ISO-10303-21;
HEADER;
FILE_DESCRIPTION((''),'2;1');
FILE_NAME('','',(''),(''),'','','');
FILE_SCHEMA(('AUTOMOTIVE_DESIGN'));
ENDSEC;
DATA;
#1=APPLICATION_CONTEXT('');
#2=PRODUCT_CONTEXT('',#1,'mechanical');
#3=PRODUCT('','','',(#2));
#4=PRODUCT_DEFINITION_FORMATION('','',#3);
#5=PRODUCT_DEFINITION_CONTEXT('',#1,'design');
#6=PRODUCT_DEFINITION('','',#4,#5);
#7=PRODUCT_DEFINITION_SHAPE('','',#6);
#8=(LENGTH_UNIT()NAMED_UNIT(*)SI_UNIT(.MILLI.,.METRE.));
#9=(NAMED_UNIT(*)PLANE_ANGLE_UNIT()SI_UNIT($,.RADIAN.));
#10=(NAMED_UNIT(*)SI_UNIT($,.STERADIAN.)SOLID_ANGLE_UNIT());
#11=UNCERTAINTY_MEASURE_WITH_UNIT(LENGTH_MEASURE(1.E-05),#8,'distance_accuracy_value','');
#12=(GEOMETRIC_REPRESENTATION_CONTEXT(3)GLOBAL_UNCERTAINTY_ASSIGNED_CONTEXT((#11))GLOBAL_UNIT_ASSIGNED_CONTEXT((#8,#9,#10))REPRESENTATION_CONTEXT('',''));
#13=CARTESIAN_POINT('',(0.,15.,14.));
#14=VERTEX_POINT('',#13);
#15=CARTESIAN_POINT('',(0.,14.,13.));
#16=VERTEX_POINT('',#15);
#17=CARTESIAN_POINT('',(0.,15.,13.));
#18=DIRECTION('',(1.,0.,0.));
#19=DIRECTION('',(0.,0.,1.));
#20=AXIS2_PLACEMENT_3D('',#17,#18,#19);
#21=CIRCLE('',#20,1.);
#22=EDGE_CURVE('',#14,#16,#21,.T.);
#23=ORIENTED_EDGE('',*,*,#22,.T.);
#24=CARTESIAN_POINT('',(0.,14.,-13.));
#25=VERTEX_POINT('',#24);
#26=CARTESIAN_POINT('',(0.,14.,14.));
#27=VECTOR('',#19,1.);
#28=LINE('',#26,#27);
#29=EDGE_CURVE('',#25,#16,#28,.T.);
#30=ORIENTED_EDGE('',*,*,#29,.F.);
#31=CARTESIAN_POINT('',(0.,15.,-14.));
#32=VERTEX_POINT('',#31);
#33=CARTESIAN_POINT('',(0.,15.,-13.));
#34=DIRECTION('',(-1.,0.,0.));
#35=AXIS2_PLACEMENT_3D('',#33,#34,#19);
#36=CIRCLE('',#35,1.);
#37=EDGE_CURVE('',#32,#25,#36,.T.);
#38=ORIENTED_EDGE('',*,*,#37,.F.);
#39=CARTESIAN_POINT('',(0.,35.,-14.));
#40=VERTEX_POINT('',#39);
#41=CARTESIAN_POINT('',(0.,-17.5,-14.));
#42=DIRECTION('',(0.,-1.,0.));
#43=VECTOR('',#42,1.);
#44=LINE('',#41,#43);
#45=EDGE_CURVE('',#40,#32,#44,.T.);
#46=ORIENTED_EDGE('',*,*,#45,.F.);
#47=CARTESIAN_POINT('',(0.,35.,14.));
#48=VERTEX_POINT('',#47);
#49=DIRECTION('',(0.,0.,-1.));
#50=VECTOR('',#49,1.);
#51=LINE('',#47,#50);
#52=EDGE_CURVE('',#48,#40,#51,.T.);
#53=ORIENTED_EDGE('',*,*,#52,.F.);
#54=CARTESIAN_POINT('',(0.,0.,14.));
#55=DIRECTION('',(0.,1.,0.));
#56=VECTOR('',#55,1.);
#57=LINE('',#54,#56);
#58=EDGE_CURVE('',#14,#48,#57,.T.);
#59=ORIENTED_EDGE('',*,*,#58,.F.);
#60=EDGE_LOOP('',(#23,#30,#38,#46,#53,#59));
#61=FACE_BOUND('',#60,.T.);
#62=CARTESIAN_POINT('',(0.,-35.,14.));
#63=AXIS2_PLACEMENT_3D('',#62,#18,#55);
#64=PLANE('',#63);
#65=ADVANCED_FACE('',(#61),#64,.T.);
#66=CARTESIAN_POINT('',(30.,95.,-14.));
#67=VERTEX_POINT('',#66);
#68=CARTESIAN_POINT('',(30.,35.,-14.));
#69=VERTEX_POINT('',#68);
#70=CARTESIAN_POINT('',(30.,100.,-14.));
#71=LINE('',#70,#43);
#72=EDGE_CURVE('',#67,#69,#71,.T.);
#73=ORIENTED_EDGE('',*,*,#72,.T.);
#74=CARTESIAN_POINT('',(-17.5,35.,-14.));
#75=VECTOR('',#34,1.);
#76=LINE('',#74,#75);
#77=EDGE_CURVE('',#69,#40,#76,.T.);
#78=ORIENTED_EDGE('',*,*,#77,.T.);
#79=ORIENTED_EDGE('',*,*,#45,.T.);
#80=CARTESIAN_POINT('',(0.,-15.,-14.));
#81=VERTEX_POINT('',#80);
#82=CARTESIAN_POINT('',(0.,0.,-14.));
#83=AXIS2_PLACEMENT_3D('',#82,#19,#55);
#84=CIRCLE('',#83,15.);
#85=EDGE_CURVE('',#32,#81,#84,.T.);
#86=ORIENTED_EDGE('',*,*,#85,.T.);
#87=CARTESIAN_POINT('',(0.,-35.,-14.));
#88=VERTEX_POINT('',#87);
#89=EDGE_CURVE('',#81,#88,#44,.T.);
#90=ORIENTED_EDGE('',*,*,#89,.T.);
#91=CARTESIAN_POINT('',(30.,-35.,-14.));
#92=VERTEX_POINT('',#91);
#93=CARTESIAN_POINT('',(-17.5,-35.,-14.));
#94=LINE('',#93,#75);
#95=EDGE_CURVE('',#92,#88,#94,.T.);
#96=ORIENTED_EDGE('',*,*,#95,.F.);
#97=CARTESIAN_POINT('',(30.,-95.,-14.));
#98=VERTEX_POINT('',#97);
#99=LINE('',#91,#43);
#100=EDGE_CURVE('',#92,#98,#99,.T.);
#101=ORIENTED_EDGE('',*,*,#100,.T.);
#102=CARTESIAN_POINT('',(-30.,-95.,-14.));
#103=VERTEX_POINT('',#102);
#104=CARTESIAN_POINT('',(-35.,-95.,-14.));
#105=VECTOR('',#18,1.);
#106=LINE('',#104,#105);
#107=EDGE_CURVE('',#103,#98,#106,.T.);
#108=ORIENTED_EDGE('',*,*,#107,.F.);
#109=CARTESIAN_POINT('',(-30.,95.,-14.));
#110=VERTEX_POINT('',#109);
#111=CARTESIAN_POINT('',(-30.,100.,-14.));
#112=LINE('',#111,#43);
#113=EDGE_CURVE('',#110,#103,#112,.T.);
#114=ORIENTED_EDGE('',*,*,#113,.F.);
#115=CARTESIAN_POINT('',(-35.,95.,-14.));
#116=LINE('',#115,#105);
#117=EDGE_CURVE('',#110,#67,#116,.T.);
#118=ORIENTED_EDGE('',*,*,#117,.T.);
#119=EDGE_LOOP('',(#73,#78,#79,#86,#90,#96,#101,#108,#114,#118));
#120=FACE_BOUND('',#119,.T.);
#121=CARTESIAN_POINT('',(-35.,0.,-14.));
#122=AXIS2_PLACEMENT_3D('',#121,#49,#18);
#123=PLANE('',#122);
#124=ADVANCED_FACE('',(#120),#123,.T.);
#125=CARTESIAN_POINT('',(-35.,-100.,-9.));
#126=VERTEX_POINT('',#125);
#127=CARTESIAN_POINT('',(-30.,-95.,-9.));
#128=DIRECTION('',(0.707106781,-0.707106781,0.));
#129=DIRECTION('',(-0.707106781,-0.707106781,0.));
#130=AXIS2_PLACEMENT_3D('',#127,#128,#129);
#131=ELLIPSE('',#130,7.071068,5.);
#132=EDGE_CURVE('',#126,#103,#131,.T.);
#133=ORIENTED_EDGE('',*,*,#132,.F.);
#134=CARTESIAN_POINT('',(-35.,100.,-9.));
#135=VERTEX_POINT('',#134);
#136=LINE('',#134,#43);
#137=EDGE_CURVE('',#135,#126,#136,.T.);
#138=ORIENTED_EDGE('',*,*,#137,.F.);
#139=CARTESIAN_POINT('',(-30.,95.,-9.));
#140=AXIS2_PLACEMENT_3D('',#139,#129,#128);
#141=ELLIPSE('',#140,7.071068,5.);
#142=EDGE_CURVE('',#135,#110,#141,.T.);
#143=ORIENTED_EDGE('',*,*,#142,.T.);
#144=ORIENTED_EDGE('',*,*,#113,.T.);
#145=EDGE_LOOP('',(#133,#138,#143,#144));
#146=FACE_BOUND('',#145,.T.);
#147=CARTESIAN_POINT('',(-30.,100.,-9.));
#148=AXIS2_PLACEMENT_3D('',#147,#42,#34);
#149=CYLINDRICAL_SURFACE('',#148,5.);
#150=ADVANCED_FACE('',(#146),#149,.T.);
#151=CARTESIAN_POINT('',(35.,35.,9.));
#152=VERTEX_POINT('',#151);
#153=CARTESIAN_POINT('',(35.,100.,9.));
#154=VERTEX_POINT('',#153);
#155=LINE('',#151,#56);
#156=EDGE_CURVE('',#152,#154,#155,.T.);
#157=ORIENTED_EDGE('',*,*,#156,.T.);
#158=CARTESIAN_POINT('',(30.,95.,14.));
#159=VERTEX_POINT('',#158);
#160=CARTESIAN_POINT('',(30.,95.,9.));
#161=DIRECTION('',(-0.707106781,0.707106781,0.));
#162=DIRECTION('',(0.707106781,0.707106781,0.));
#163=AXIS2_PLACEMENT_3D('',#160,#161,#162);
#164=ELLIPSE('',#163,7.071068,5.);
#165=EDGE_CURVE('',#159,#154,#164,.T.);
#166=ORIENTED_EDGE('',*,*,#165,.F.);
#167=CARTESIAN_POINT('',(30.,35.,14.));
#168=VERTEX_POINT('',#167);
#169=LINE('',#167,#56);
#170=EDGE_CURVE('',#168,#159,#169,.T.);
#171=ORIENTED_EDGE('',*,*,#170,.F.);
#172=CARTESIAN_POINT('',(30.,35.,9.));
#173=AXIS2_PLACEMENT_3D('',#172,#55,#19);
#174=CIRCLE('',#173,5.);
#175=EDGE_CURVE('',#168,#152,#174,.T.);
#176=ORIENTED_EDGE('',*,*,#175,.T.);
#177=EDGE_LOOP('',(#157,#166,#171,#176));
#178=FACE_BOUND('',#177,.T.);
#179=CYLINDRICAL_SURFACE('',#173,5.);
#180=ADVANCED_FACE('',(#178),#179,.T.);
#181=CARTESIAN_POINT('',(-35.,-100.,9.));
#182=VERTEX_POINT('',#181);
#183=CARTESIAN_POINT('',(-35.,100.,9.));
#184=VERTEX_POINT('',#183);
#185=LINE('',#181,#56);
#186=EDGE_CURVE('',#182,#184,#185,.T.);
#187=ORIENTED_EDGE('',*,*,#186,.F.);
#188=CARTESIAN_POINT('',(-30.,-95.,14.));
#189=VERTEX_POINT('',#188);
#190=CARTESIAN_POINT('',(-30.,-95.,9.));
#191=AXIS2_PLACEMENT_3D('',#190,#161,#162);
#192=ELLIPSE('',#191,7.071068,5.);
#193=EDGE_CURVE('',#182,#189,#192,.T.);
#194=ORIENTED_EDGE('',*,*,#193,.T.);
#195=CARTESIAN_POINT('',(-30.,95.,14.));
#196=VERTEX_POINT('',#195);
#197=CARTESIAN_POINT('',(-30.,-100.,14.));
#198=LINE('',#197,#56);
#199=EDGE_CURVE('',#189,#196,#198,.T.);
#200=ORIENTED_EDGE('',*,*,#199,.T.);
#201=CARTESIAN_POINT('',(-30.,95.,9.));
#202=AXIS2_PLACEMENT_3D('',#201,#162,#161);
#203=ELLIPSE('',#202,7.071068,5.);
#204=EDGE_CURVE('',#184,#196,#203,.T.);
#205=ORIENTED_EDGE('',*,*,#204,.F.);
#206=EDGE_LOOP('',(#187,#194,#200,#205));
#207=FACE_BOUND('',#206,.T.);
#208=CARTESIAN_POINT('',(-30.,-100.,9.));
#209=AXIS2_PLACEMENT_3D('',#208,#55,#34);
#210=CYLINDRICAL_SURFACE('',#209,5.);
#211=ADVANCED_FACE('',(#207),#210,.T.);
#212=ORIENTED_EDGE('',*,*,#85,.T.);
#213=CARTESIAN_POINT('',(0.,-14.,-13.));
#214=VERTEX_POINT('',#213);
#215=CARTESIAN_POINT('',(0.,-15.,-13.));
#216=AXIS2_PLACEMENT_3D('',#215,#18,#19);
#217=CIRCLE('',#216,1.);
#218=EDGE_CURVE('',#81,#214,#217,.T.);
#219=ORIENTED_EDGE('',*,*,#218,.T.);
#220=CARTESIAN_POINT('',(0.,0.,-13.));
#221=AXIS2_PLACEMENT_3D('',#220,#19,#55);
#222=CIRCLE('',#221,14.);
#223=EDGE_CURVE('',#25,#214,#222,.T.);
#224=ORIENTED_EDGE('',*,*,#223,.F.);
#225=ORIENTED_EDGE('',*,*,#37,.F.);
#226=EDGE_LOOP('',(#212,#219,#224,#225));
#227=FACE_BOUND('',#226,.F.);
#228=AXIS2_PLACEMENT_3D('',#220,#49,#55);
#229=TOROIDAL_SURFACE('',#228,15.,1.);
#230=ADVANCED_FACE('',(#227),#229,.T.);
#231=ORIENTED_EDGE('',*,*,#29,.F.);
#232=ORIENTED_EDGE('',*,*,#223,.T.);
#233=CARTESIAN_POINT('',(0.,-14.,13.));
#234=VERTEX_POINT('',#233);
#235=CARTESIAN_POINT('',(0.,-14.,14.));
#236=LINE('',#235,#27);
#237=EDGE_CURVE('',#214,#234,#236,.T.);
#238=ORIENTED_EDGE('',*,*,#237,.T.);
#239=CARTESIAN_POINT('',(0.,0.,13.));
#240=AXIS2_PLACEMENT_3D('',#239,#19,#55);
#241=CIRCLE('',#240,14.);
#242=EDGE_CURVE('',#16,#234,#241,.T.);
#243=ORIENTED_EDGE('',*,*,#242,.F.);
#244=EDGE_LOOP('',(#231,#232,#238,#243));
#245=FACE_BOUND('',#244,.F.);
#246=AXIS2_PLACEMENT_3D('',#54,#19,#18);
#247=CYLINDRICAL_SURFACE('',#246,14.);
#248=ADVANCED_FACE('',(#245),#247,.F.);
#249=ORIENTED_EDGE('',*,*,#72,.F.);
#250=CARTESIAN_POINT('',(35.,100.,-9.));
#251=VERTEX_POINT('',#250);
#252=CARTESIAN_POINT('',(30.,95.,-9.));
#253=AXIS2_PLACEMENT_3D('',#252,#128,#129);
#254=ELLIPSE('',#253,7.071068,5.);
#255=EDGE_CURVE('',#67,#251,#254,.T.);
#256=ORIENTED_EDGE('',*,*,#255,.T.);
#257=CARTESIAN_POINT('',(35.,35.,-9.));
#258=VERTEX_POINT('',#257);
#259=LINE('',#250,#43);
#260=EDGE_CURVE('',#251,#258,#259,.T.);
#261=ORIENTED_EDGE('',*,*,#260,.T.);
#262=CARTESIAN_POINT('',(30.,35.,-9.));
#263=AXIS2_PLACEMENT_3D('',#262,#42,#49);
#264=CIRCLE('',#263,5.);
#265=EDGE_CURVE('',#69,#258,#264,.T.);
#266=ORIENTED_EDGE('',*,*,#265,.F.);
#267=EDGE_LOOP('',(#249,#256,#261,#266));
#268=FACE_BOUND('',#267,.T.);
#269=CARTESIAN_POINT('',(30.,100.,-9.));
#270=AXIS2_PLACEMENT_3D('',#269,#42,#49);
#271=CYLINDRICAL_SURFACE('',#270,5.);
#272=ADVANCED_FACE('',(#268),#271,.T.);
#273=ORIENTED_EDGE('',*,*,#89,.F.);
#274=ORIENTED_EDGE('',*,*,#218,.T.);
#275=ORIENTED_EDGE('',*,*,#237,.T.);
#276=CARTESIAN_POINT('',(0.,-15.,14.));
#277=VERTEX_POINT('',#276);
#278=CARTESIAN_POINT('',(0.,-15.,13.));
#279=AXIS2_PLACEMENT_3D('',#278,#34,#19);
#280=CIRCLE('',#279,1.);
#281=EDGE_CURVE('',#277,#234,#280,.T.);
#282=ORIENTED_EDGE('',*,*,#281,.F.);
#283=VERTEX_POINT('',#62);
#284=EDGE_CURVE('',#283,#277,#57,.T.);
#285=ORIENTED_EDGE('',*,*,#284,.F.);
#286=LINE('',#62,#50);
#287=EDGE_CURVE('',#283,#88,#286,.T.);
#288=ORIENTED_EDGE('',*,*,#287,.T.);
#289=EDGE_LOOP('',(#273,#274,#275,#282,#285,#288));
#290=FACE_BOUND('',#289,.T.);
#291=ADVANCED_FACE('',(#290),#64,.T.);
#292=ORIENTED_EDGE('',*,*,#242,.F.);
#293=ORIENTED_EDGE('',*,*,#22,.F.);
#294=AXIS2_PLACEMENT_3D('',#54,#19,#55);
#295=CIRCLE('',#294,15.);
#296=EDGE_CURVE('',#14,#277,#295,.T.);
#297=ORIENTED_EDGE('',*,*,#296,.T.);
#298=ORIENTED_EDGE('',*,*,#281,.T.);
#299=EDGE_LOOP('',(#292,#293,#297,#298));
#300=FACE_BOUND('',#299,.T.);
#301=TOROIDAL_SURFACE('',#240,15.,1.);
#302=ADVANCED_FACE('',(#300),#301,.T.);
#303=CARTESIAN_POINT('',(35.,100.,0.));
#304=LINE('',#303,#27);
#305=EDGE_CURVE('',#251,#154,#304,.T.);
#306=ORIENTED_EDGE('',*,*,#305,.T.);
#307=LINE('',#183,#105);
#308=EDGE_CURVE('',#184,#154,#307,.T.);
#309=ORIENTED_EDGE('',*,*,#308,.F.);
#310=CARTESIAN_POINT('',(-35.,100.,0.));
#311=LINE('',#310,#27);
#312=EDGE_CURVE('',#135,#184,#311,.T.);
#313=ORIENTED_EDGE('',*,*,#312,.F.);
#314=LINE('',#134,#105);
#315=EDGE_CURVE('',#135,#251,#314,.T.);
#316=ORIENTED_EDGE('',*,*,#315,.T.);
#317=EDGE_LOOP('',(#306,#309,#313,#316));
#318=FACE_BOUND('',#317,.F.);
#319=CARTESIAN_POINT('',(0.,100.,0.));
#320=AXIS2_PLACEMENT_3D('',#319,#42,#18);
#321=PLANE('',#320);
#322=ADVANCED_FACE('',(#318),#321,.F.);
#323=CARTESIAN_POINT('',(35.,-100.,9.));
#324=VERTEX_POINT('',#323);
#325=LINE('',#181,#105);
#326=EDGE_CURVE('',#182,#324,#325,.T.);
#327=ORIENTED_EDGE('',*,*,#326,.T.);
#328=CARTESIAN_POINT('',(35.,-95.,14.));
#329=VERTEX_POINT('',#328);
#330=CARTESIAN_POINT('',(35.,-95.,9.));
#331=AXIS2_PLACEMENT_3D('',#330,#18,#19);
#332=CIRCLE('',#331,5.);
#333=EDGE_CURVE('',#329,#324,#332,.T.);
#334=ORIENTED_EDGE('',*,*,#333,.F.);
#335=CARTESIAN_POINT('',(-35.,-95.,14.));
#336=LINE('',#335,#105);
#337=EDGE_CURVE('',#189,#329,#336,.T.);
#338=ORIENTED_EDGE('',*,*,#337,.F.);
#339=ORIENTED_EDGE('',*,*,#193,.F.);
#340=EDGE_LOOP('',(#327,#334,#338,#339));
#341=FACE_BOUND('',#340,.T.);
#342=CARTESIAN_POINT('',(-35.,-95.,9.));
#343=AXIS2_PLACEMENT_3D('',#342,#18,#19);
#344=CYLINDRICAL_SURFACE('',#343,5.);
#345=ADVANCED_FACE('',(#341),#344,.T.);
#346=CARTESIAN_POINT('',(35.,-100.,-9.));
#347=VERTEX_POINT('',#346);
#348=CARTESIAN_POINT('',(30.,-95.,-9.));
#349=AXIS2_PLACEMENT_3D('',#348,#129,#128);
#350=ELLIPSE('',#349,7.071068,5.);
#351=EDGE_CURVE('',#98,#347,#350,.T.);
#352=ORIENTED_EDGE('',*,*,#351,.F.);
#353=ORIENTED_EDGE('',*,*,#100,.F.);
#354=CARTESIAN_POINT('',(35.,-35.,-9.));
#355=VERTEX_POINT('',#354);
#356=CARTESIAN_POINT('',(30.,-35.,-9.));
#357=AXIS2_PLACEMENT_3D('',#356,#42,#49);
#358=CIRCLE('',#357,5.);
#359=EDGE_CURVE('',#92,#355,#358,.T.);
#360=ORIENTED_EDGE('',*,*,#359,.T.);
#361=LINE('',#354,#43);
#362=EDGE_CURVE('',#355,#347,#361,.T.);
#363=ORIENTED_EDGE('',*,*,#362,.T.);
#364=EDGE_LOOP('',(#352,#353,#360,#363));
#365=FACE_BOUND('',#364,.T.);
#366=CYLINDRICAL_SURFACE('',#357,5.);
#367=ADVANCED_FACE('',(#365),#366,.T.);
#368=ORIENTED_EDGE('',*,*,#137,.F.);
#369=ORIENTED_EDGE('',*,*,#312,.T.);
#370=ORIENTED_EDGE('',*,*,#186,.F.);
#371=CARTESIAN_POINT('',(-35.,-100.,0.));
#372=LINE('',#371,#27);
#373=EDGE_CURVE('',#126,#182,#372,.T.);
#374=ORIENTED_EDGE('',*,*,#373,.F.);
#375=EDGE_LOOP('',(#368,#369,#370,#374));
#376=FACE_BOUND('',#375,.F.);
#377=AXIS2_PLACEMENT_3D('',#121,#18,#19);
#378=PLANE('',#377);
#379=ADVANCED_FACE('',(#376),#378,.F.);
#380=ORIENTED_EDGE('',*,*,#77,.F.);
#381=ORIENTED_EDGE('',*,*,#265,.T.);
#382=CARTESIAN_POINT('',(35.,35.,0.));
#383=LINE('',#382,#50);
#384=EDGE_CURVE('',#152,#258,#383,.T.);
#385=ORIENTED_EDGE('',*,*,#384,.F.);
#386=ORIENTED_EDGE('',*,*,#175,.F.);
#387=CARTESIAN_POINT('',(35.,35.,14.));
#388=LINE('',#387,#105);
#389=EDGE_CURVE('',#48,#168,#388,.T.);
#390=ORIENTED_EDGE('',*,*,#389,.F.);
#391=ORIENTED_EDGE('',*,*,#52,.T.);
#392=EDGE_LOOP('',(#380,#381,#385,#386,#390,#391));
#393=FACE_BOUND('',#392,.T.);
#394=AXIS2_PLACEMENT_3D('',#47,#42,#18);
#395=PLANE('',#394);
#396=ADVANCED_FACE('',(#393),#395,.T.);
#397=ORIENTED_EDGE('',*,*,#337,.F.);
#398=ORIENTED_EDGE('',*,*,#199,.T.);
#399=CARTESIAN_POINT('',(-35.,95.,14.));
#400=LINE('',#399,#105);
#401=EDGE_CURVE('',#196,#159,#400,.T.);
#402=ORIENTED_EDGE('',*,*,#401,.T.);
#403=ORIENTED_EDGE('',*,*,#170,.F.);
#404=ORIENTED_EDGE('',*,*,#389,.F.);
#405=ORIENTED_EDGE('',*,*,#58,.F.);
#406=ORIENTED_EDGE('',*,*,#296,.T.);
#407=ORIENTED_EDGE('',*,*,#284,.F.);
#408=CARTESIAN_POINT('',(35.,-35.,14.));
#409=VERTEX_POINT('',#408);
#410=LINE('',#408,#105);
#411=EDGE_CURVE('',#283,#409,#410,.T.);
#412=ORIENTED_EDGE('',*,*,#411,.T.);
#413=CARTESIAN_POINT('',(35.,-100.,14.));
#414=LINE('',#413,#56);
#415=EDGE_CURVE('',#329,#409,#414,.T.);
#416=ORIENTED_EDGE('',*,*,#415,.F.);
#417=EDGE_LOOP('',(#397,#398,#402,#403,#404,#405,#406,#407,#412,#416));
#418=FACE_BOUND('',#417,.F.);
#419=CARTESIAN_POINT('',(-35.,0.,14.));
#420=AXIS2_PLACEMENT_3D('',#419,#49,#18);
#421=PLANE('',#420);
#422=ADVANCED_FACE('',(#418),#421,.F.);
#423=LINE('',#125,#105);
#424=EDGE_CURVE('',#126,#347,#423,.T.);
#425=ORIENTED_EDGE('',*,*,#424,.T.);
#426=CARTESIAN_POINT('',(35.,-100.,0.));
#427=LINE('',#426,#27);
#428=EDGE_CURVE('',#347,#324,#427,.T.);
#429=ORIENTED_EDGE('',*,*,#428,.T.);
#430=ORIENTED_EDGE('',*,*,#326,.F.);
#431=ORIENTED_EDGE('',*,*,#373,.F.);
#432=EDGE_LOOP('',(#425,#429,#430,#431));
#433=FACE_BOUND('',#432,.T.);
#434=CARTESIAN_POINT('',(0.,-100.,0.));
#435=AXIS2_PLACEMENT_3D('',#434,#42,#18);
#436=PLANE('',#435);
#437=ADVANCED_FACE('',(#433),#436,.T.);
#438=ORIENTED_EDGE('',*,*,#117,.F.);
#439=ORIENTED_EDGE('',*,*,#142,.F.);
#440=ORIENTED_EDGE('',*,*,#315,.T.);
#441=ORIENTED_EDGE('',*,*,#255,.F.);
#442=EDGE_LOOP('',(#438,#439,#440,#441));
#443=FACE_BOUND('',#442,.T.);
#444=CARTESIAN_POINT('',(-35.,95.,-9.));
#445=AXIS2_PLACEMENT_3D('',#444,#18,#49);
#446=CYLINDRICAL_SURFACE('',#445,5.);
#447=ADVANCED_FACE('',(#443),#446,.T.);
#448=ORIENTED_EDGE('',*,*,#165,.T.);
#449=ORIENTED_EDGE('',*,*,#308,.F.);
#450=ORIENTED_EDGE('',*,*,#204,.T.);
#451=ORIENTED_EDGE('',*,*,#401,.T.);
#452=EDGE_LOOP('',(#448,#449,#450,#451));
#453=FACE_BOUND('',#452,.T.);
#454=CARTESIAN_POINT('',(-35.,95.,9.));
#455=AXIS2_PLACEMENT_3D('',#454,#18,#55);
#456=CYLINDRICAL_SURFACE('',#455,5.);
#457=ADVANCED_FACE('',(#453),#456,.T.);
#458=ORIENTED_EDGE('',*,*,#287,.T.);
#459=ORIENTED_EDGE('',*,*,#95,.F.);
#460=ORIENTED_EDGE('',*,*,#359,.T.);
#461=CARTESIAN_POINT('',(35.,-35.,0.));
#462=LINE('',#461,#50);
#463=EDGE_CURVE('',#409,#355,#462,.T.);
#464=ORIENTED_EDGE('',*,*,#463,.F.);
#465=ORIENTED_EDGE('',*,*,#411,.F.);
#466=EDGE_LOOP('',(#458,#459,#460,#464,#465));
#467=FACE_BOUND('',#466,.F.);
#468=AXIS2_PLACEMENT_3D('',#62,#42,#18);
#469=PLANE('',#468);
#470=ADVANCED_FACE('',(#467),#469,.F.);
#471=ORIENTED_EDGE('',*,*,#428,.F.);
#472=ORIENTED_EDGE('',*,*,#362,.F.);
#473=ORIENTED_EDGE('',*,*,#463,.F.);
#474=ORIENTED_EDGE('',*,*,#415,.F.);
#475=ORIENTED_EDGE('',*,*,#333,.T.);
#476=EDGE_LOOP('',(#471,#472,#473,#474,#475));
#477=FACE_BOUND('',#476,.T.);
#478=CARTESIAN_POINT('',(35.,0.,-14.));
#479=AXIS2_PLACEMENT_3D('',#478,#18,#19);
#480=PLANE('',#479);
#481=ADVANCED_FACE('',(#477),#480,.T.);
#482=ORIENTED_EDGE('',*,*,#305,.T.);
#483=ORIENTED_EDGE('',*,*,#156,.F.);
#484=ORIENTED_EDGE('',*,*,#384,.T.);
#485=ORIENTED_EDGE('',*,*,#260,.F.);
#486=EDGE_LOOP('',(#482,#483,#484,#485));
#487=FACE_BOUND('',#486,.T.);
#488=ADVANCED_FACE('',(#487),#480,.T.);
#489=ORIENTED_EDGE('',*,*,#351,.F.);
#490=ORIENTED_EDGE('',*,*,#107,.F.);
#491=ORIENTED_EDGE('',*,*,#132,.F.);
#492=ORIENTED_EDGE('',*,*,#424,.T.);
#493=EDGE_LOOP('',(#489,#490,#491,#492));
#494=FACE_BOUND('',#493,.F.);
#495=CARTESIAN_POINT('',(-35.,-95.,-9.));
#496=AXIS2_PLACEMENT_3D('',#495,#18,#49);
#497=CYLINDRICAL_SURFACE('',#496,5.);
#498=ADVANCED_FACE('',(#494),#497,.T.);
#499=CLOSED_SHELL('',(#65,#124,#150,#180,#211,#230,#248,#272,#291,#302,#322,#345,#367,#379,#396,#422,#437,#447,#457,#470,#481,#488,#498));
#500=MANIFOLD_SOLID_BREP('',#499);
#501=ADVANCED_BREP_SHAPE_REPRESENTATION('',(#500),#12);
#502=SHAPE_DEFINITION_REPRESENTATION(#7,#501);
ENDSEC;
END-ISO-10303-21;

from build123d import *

# Parameters (mm, degrees)
F0_W     = 70
F0_H     = 28
F1_DEPTH = 100
F2_W     = 70
F2_H     = 70
F3_DEPTH = 28.001
F4_R     = 14
F5_DEPTH = 28.001
F6_R     = 5
F7_R     = 1


with BuildPart() as f1:
    # F0 (on Front) → F1 (new body, symmetric)
    with BuildSketch(Plane.XZ):
        Rectangle(F0_W, F0_H)
    extrude(amount=F1_DEPTH, both=True)

    # F2 (on face) → F3 (cut, through all)
    with BuildSketch(Plane.XY.offset(14)):
        with Locations((35, 0)):
            Rectangle(F2_W, F2_H)
    extrude(amount=-F3_DEPTH, mode=Mode.SUBTRACT)

    # F4 (on face) → F5 (cut, through all)
    with BuildSketch(Plane.XY.offset(14)):
        Circle(F4_R)
    extrude(amount=-F5_DEPTH, mode=Mode.SUBTRACT)

    # F6
    f6_edges = [f1.edges().sort_by_distance(p)[0] for p in [
        (-35, 0, 14),
        (35, 67.5, 14),
        (0, 100, 14),
        (0, -100, 14),
        (35, 67.5, -14),
        (-35, 0, -14),
        (35, -67.5, -14),
        (0, -100, -14),
        (0, 100, -14),
    ]]
    fillet(f6_edges, radius=F6_R)

    # F7
    f7_edges = [f1.edges().sort_by_distance(p)[0] for p in [
        (-14, 0, 14),
        (-14, 0, -14),
    ]]
    fillet(f7_edges, radius=F7_R)


solid = f1.part
